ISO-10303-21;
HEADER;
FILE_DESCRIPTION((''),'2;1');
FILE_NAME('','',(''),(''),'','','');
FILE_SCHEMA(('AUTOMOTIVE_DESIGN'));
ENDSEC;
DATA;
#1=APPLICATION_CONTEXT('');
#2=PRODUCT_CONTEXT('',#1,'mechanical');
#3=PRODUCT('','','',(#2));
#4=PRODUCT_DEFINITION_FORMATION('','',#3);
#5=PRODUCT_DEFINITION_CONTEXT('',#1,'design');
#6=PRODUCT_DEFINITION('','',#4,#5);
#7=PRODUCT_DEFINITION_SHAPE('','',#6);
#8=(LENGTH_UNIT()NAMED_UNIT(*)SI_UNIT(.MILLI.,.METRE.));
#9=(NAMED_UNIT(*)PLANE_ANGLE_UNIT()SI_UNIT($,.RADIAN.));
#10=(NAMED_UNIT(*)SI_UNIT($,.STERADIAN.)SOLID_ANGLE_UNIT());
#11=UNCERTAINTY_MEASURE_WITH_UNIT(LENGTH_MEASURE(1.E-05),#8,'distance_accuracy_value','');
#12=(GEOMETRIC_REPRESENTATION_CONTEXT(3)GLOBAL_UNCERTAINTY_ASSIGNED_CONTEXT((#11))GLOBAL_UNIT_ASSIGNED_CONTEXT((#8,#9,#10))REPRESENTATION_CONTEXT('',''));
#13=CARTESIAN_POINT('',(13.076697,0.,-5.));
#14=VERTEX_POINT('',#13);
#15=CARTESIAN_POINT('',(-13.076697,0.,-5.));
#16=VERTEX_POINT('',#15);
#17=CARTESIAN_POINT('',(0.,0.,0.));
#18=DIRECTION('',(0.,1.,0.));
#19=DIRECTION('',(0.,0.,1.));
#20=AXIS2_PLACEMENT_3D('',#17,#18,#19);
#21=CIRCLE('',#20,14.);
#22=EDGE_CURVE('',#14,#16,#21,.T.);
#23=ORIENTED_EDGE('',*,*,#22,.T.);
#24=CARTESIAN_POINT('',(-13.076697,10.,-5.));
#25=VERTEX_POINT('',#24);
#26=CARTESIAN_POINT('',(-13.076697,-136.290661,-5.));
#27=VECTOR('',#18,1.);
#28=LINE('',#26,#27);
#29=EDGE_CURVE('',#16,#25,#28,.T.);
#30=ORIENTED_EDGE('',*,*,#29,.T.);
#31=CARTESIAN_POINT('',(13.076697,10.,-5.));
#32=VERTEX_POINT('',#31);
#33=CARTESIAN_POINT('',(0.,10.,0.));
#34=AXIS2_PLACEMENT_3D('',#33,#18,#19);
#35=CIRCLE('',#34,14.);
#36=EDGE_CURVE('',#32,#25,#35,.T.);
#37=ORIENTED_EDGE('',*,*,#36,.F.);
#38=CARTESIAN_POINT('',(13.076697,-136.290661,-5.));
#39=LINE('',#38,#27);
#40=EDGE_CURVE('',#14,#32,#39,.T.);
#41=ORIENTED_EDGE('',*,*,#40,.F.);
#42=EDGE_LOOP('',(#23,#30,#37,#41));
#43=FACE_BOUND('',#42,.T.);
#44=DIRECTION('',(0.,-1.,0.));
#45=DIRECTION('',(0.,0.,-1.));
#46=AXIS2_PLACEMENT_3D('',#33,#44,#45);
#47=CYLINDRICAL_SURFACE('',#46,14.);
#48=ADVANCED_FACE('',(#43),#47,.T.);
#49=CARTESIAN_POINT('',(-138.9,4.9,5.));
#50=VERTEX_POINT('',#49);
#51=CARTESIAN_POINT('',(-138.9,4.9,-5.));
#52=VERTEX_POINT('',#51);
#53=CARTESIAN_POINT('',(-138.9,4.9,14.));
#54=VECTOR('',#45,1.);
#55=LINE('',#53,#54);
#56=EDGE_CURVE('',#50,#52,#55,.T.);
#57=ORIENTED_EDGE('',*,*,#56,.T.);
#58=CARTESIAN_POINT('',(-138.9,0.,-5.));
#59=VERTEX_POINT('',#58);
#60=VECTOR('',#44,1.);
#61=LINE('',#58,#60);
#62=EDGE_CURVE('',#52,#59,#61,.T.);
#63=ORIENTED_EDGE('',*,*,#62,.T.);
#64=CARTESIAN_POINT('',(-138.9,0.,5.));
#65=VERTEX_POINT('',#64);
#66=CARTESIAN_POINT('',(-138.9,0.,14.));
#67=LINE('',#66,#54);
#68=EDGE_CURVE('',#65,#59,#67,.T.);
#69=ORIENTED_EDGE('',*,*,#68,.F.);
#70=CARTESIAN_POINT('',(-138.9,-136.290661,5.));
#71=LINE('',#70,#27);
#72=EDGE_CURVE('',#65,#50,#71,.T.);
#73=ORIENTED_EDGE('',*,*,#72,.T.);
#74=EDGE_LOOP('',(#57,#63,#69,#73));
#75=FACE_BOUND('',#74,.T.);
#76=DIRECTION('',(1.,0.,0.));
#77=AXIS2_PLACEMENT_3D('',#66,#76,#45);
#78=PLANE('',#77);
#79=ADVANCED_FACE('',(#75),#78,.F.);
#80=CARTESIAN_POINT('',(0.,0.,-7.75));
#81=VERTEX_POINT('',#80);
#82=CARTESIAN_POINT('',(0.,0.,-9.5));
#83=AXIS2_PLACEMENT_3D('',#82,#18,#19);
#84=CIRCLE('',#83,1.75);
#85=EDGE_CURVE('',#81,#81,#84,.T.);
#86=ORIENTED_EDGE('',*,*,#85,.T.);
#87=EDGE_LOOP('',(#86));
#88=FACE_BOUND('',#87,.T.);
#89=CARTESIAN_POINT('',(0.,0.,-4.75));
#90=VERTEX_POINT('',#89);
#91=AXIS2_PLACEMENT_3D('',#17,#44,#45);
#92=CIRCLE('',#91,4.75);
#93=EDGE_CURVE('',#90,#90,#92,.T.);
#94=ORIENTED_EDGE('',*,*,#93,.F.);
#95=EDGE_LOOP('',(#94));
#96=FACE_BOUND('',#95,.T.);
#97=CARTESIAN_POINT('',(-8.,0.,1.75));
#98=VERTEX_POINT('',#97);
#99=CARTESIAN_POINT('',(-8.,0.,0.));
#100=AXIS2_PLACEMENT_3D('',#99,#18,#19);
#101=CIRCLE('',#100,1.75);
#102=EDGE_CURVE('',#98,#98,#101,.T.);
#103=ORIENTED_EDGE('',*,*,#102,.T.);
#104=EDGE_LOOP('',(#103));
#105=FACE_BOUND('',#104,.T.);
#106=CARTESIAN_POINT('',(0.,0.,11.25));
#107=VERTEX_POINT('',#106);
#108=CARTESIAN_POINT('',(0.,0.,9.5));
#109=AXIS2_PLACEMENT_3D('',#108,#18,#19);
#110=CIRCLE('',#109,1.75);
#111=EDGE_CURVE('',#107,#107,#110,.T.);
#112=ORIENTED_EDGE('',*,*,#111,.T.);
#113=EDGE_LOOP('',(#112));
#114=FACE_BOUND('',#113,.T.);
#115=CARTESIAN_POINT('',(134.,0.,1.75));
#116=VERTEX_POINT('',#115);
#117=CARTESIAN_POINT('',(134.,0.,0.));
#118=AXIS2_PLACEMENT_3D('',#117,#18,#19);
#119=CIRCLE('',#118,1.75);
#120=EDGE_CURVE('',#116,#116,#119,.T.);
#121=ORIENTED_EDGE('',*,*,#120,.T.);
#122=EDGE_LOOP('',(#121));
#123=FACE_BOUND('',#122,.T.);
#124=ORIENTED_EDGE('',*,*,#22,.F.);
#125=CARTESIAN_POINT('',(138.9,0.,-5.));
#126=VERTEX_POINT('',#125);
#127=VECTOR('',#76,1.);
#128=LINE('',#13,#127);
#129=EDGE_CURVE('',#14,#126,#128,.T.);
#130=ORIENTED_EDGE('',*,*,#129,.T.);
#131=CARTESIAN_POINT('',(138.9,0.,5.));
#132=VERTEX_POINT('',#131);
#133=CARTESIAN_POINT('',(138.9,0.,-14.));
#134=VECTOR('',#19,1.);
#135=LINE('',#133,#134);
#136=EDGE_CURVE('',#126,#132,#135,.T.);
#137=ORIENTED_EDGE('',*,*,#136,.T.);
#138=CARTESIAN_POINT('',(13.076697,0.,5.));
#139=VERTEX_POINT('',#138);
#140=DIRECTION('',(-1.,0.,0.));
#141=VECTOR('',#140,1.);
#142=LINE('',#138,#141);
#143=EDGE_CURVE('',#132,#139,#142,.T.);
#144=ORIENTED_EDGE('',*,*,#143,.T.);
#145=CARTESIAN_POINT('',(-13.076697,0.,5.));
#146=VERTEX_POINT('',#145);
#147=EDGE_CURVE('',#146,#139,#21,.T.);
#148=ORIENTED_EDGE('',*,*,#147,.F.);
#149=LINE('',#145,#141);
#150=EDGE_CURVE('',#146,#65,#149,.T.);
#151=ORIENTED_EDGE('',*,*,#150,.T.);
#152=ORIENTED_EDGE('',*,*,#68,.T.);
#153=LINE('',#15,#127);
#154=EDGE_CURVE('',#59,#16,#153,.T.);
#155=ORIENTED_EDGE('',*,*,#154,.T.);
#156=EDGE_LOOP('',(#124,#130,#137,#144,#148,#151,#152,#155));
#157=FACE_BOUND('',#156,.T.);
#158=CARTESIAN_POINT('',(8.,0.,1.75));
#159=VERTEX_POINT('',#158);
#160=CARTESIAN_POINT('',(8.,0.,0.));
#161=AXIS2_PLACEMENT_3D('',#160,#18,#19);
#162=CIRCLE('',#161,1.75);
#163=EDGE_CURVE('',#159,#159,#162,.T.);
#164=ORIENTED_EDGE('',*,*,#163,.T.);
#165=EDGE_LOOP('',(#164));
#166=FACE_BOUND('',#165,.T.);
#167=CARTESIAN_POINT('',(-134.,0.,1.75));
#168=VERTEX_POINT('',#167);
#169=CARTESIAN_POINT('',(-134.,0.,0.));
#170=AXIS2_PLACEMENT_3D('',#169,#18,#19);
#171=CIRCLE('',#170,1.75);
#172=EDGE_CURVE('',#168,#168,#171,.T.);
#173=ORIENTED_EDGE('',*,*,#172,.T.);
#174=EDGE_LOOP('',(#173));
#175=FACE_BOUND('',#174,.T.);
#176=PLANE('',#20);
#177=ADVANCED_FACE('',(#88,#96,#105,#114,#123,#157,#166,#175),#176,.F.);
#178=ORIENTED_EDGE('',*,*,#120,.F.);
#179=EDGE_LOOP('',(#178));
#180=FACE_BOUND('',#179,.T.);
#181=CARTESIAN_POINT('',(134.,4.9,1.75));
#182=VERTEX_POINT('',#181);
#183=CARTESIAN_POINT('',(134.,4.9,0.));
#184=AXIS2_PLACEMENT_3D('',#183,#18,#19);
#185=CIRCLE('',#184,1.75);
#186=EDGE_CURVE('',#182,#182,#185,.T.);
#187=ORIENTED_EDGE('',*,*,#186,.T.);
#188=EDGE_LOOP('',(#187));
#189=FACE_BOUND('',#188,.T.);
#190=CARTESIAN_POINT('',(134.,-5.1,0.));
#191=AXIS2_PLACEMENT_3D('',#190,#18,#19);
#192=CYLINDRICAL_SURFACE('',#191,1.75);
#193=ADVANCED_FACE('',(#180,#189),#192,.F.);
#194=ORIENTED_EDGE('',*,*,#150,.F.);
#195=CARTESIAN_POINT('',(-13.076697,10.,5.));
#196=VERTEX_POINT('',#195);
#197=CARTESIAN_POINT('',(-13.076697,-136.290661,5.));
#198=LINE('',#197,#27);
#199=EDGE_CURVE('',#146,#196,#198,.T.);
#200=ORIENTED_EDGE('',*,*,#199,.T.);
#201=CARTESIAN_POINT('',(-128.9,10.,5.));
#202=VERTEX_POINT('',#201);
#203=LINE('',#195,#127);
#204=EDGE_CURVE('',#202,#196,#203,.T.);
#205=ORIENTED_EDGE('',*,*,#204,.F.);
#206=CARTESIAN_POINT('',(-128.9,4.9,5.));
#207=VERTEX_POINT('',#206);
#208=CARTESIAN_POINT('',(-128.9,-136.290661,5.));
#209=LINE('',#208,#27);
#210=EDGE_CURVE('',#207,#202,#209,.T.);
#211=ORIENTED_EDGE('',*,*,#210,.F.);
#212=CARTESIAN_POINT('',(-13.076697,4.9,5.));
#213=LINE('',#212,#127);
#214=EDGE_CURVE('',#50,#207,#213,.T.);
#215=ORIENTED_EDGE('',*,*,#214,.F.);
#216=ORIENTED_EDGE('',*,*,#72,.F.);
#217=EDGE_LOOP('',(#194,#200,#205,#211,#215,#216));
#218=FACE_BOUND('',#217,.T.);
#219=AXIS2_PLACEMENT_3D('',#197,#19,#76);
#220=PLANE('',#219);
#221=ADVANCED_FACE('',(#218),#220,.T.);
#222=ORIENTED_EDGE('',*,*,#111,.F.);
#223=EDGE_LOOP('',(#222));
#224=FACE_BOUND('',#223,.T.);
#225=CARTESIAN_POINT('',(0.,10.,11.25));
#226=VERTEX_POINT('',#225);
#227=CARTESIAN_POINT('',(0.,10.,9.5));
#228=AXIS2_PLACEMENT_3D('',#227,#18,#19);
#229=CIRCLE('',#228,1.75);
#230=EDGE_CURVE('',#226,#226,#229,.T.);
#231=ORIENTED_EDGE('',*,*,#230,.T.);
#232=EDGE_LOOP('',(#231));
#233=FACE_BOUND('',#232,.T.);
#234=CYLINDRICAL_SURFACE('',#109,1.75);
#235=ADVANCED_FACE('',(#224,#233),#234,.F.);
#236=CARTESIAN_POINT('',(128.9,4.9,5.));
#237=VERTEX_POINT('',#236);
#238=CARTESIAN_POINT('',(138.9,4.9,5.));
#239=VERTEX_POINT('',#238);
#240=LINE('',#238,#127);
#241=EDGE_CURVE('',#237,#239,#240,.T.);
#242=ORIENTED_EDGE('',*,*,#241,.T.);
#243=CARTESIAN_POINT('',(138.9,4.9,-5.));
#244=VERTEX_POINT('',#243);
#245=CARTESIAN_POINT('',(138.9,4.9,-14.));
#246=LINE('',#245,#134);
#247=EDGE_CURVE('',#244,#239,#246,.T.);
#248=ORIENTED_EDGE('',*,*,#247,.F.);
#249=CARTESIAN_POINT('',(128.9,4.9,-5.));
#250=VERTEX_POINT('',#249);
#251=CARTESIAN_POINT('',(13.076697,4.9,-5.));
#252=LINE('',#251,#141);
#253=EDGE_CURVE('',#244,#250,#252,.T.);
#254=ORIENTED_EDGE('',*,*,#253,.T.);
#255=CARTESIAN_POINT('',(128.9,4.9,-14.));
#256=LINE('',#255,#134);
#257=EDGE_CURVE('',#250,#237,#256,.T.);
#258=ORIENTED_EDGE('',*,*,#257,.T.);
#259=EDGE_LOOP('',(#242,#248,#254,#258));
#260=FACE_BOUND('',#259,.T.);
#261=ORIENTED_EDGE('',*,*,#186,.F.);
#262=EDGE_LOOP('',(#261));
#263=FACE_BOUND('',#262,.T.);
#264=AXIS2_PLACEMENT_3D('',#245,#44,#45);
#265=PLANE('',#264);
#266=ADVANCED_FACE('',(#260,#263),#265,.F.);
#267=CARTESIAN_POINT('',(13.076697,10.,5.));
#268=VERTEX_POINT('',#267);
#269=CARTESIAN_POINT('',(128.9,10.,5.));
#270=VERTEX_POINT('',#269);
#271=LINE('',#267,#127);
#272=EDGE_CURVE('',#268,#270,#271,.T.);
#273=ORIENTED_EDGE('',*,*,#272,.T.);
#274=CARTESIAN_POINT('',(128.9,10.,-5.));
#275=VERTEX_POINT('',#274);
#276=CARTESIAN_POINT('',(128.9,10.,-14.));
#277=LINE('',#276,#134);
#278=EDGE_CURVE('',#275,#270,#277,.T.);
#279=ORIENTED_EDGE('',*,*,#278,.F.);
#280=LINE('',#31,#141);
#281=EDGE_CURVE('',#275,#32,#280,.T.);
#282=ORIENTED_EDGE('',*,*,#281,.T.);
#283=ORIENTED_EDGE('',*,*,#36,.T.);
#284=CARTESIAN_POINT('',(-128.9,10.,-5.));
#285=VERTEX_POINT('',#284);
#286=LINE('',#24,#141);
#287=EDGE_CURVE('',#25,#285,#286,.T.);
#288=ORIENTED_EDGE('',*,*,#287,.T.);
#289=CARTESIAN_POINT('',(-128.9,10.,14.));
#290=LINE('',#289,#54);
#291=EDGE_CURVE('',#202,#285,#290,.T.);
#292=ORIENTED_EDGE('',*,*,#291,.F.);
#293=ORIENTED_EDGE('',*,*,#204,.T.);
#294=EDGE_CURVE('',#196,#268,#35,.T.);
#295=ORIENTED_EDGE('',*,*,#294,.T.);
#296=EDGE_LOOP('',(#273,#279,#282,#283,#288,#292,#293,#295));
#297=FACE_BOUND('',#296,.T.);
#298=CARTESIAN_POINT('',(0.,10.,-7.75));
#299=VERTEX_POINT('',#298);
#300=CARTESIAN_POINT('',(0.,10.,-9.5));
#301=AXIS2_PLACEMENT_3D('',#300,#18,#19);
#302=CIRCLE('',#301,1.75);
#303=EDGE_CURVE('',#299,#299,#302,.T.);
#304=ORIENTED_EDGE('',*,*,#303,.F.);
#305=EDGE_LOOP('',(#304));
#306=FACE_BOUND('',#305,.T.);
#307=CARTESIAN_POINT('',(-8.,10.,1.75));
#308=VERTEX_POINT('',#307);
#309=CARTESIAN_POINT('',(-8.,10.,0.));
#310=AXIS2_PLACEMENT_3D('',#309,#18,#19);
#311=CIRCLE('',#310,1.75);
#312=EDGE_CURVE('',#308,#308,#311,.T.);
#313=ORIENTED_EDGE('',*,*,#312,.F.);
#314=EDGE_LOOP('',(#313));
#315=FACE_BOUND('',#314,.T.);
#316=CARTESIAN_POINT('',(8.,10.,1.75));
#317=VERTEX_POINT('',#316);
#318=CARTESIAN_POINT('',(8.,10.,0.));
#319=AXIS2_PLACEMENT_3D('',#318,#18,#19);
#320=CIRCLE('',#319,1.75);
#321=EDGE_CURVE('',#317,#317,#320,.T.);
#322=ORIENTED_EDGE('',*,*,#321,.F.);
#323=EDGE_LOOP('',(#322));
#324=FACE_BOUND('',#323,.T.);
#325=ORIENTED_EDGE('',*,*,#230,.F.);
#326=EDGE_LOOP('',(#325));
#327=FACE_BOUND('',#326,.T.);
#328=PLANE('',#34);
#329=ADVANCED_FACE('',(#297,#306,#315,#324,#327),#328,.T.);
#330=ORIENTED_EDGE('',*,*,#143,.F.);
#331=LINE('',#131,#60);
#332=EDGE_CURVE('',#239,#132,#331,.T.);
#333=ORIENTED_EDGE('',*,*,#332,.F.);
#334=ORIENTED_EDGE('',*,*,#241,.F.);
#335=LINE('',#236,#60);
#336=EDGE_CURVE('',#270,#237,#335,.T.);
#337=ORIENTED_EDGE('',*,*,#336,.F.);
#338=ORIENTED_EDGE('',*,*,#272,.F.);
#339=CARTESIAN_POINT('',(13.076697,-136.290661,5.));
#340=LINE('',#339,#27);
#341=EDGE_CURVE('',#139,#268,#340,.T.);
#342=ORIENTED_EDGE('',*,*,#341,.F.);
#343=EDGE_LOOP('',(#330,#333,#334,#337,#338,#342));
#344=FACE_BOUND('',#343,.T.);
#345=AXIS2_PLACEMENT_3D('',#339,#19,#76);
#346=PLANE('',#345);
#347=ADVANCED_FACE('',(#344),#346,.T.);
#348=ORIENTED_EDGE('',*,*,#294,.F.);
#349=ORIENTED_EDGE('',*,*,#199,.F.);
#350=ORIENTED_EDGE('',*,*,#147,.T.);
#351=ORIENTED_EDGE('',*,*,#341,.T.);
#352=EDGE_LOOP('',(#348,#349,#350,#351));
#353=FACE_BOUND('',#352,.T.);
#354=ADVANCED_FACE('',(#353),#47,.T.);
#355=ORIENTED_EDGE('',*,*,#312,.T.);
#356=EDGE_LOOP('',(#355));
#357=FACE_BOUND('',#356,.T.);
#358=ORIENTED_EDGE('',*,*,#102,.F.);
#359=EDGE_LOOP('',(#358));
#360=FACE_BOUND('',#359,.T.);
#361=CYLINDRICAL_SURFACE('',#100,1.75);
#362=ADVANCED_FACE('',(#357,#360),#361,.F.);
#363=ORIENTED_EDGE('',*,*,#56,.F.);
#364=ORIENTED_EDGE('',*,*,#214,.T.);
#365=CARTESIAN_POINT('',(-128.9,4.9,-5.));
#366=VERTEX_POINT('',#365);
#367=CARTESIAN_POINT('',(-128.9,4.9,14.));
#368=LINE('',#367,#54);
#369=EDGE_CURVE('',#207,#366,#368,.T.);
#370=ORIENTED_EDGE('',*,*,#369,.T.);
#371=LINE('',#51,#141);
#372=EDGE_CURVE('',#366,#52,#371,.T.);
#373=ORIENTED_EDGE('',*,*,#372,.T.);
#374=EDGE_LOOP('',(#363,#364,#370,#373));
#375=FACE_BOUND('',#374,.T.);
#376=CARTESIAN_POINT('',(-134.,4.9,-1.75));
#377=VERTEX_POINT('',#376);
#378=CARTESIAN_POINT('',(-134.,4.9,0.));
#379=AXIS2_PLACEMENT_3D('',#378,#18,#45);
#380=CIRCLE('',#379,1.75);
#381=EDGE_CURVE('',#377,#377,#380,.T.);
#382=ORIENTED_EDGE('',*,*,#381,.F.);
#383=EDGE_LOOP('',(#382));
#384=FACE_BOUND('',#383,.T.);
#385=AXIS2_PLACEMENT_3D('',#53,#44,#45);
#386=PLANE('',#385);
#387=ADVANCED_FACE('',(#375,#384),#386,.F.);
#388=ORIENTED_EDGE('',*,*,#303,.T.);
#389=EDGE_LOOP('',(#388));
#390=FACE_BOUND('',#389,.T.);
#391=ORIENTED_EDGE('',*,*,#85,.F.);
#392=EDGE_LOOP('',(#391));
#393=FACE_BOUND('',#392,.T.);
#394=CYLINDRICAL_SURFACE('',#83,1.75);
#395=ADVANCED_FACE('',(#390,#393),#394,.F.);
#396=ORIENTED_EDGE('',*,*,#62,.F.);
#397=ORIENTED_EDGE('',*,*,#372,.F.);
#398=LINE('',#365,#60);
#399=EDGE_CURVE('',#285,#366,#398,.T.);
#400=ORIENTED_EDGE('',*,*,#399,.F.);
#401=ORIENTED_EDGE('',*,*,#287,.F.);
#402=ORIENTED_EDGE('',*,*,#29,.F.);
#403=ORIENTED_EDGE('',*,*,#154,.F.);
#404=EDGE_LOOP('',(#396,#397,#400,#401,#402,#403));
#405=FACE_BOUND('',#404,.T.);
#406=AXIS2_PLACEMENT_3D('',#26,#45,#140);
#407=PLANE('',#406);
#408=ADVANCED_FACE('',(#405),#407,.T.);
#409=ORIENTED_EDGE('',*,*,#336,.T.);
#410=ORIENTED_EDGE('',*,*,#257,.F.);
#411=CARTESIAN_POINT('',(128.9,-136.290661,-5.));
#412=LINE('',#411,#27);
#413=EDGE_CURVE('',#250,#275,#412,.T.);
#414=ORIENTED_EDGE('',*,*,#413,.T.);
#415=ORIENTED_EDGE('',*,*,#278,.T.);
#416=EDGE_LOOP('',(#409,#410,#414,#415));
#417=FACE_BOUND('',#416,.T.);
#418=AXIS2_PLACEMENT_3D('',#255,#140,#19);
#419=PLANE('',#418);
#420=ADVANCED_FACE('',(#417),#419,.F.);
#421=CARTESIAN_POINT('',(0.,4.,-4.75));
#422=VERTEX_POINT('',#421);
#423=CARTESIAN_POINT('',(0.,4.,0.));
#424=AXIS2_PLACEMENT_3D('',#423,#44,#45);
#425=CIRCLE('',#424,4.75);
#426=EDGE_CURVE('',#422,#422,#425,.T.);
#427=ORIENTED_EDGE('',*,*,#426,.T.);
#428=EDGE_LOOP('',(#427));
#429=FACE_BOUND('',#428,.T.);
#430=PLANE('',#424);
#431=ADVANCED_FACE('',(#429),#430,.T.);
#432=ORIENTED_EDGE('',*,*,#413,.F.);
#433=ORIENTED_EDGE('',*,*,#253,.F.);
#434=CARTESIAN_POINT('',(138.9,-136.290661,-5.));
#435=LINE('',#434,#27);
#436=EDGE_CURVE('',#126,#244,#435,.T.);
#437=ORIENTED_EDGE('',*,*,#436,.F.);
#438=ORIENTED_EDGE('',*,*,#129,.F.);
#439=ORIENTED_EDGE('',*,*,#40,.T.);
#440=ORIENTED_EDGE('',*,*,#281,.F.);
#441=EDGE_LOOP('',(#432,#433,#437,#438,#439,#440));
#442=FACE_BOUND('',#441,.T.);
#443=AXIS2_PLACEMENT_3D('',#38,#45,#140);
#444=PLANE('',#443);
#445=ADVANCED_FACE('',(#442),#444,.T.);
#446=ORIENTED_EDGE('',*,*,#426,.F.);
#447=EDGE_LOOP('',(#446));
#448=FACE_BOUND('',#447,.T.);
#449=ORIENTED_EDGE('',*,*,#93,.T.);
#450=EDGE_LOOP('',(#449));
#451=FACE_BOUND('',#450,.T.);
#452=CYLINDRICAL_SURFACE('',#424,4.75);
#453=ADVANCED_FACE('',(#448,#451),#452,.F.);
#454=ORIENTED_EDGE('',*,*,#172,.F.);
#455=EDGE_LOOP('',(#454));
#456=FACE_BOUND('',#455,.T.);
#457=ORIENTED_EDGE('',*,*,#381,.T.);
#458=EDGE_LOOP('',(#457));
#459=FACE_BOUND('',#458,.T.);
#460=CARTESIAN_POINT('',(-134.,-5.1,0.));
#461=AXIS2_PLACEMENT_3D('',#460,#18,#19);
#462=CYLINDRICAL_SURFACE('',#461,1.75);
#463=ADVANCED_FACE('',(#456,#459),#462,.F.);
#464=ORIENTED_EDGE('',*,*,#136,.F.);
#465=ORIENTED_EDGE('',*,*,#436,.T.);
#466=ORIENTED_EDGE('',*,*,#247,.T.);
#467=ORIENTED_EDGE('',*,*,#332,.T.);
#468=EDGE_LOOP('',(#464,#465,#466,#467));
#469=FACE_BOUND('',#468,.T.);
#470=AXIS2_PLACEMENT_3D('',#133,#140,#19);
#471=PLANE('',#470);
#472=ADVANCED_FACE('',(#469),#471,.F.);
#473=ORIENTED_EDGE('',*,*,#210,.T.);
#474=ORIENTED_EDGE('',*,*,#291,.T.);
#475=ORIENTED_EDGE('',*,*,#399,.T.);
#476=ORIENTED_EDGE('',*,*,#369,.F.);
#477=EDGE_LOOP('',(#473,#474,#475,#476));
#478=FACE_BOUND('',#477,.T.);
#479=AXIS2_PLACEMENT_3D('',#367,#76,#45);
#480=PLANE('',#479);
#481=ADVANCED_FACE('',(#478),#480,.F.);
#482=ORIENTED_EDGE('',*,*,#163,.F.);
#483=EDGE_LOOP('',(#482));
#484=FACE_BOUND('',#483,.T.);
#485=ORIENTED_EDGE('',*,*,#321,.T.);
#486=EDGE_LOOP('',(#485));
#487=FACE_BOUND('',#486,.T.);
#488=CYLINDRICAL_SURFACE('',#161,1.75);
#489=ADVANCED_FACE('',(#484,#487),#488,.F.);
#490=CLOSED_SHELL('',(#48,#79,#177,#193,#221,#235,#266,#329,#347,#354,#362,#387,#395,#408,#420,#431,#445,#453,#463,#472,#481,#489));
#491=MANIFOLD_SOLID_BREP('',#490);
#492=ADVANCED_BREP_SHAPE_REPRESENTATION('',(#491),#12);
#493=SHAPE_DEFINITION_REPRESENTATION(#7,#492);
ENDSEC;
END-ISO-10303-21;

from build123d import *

# Parameters (mm, degrees)
SKETCH1_R           = 14
BOSS_EXTRUDE1_DEPTH = 10
BOSS_EXTRUDE2_DEPTH = 10
CUT_EXTRUDE2_DEPTH  = 20
SKETCH6_R           = 1.75
CUT_EXTRUDE4_DEPTH  = 10
CIRPATTERN2_COUNT   = 2
CIRPATTERN2_ANGLE   = 180
SKETCH5_R           = 1.75
CUT_EXTRUDE3_DEPTH  = 11
SKETCH8_R           = 4.75
CUT_EXTRUDE6_DEPTH  = 4


with BuildPart() as part:
    # Sketch1 → Boss-Extrude1 (new body)
    with BuildSketch(Plane(origin=(0, 0, 0), x_dir=(1, 0, 0), z_dir=(0, 1, 0))):
        Circle(SKETCH1_R)
    extrude(amount=BOSS_EXTRUDE1_DEPTH)

    # Sketch2 → Boss-Extrude2 (add)
    with BuildSketch(Plane(origin=(0, 10, 0), x_dir=(1, 0, 0), z_dir=(0, 1, 0))):
        with BuildLine():
            Line((13.076696831, -5), (149, -5))
            Line((149, -5), (149, 5))
            Line((149, 5), (13.076696831, 5))
            ThreePointArc((13.076696831, 5), (14, 0), (13.076696831, -5))
        make_face()
    boss_extrude2 = extrude(amount=-BOSS_EXTRUDE2_DEPTH)

    # Sketch4 → Cut-Extrude2 (cut, through all)
    with BuildSketch(Plane.XY.offset(5)):
        Polygon((138.9, 0), (138.9, 4.9), (128.9, 4.9), (128.9, 10), (149, 10), (149, 0), align=None)
    cut_extrude2 = extrude(amount=-CUT_EXTRUDE2_DEPTH, mode=Mode.SUBTRACT)

    # Sketch6 → Cut-Extrude4 (cut)
    with BuildSketch(Plane(origin=(0, 4.9, 0), x_dir=(1, 0, 0), z_dir=(0, 1, 0))):
        with Locations((134, 0)):
            Circle(SKETCH6_R)
    cut_extrude4 = extrude(amount=-CUT_EXTRUDE4_DEPTH, mode=Mode.SUBTRACT)

    # CirPattern2: Boss-Extrude2, Cut-Extrude2, Cut-Extrude4 ×2 about axis
    cirpattern2_axis = Axis((0, 0, 0), (0, 1, 0))
    for i in range(1, CIRPATTERN2_COUNT):
        add(boss_extrude2.rotate(cirpattern2_axis, i * CIRPATTERN2_ANGLE / (CIRPATTERN2_COUNT - 1)))
        add(cut_extrude2.rotate(cirpattern2_axis, i * CIRPATTERN2_ANGLE / (CIRPATTERN2_COUNT - 1)), mode=Mode.SUBTRACT)
        add(cut_extrude4.rotate(cirpattern2_axis, i * CIRPATTERN2_ANGLE / (CIRPATTERN2_COUNT - 1)), mode=Mode.SUBTRACT)

    # Sketch5 → Cut-Extrude3 (cut, through all)
    with BuildSketch(Plane(origin=(0, 10, 0), x_dir=(1, 0, 0), z_dir=(0, 1, 0))):
        with Locations((0, 9.5)):
            Circle(SKETCH5_R)
        with Locations((8, 0)):
            Circle(SKETCH5_R)
        with Locations((-8, 0)):
            Circle(SKETCH5_R)
        with Locations((0, -9.5)):
            Circle(SKETCH5_R)
    extrude(amount=-CUT_EXTRUDE3_DEPTH, mode=Mode.SUBTRACT)

    # Sketch8 → Cut-Extrude6 (cut)
    with BuildSketch(Plane.XZ):
        Circle(SKETCH8_R)
    extrude(amount=-CUT_EXTRUDE6_DEPTH, mode=Mode.SUBTRACT)


solid = part.part
